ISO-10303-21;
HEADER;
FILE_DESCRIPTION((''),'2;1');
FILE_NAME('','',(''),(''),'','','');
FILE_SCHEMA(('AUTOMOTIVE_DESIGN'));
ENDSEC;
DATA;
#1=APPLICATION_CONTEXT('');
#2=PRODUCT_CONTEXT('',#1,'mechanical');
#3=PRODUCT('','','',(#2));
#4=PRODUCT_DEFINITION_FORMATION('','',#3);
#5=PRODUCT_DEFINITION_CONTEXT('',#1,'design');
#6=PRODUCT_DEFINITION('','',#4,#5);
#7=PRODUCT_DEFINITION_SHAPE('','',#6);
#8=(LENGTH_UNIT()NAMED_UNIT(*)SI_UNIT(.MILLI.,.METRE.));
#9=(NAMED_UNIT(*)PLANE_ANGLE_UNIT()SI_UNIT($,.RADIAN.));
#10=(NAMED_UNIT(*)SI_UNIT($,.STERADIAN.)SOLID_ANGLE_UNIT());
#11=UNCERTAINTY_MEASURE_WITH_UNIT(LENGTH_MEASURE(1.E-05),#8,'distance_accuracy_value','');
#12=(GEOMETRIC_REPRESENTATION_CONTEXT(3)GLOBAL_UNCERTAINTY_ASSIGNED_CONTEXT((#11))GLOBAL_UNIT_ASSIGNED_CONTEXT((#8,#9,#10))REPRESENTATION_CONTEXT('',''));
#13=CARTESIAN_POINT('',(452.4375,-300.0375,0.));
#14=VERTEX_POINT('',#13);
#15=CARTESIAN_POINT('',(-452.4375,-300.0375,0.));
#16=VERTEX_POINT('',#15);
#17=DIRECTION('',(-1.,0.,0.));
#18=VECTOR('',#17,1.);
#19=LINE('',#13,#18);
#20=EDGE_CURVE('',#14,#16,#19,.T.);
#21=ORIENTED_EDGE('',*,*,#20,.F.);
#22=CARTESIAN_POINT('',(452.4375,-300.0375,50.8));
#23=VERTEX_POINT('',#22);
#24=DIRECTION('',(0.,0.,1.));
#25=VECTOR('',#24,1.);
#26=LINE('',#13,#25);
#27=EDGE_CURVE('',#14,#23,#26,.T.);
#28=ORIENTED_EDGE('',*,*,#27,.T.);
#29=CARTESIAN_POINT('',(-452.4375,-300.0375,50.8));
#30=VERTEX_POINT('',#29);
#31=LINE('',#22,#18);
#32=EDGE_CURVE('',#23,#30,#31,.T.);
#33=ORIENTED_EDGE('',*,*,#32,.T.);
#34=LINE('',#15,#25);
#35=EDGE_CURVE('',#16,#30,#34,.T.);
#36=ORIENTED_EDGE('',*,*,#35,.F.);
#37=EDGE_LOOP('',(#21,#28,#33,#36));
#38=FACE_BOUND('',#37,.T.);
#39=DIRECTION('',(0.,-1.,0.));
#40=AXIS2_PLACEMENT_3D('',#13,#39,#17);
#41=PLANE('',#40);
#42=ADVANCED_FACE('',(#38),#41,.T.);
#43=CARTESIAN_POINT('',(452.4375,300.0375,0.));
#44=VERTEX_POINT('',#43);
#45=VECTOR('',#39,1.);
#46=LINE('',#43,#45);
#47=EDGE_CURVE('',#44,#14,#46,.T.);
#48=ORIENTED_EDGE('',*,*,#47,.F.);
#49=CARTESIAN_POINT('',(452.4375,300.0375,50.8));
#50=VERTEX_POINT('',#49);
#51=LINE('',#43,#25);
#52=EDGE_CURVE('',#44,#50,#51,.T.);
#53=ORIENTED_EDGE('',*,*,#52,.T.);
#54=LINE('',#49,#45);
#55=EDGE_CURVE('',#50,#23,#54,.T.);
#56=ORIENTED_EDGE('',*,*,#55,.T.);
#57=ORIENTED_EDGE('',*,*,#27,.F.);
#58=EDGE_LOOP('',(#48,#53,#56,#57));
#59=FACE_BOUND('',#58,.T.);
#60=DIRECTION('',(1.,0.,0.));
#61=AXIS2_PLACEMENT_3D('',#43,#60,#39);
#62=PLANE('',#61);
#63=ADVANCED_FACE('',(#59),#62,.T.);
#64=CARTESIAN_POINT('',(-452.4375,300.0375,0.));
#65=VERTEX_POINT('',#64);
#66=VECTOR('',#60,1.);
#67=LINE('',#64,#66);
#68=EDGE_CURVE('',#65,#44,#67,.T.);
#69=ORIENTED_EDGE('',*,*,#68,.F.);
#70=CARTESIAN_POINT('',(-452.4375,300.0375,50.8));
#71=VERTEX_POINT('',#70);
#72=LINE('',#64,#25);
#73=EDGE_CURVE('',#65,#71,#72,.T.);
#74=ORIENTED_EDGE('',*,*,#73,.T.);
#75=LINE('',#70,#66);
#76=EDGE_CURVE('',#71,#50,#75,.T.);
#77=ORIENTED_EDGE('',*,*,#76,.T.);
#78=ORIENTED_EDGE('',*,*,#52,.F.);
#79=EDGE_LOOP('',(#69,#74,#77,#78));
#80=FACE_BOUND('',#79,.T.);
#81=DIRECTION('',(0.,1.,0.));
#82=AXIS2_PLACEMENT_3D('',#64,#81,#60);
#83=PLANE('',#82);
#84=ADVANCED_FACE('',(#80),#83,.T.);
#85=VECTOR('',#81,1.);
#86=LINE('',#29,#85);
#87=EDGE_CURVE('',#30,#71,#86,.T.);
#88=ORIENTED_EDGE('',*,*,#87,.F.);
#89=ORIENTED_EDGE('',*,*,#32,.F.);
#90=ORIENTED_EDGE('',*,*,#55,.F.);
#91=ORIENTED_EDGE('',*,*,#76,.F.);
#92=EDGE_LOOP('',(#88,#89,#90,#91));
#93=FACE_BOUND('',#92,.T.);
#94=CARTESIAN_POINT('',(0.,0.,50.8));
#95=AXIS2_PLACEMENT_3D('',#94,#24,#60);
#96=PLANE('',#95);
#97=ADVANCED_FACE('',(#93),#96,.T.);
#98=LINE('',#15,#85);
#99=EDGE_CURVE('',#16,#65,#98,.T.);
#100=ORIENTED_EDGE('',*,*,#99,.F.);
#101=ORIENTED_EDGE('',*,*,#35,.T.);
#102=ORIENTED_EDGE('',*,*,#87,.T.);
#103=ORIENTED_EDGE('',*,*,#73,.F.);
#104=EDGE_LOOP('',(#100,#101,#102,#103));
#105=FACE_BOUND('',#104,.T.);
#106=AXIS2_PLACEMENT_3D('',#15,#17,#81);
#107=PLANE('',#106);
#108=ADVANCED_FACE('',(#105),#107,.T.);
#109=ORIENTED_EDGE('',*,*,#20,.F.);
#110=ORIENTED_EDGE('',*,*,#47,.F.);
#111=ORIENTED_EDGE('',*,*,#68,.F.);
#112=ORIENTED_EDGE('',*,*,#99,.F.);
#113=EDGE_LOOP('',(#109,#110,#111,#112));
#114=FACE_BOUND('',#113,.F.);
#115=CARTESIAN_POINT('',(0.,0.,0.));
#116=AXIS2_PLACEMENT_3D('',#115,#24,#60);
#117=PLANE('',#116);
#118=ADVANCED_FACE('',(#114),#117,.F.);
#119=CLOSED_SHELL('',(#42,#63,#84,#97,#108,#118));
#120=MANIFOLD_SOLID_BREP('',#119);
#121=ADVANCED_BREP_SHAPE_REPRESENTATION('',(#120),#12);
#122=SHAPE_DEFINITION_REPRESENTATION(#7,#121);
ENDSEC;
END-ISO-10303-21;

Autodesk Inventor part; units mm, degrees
ref_plane "YZ Plane" through (0, 0, 0) normal (1, 0, 0) x (0, 1, 0)
ref_plane "XZ Plane" through (0, 0, 0) normal (0, 1, 0) x (-1, 0, 0)
ref_plane "XY Plane" through (0, 0, 0) normal (0, 0, 1) x (1, 0, 0)
sketch "Sketch1" plane through (0, 0, 0) normal (0, 0, 1) x (1, 0, 0)
  line L0 (-452.4375, 300.0375) -> (452.4375, 300.0375)
  line L1 (452.4375, 300.0375) -> (452.4375, -300.0375)
  line L2 (452.4375, -300.0375) -> (-452.4375, -300.0375)
  line L3 (-452.4375, -300.0375) -> (-452.4375, 300.0375)
  line L4 (-452.4375, 300.0375) -> (452.4375, -300.0375) construction
  line L5 (452.4375, 300.0375) -> (-452.4375, -300.0375) construction
  point P0 (0, 0)
  dimension "d0" = 904.875
  dimension "d1" = 600.075
extrude "Extrusion1" add sketch "Sketch1" along normal blind 50.8
properties part number "12 - panel - 10" material "Granite, Cut, Polished"
